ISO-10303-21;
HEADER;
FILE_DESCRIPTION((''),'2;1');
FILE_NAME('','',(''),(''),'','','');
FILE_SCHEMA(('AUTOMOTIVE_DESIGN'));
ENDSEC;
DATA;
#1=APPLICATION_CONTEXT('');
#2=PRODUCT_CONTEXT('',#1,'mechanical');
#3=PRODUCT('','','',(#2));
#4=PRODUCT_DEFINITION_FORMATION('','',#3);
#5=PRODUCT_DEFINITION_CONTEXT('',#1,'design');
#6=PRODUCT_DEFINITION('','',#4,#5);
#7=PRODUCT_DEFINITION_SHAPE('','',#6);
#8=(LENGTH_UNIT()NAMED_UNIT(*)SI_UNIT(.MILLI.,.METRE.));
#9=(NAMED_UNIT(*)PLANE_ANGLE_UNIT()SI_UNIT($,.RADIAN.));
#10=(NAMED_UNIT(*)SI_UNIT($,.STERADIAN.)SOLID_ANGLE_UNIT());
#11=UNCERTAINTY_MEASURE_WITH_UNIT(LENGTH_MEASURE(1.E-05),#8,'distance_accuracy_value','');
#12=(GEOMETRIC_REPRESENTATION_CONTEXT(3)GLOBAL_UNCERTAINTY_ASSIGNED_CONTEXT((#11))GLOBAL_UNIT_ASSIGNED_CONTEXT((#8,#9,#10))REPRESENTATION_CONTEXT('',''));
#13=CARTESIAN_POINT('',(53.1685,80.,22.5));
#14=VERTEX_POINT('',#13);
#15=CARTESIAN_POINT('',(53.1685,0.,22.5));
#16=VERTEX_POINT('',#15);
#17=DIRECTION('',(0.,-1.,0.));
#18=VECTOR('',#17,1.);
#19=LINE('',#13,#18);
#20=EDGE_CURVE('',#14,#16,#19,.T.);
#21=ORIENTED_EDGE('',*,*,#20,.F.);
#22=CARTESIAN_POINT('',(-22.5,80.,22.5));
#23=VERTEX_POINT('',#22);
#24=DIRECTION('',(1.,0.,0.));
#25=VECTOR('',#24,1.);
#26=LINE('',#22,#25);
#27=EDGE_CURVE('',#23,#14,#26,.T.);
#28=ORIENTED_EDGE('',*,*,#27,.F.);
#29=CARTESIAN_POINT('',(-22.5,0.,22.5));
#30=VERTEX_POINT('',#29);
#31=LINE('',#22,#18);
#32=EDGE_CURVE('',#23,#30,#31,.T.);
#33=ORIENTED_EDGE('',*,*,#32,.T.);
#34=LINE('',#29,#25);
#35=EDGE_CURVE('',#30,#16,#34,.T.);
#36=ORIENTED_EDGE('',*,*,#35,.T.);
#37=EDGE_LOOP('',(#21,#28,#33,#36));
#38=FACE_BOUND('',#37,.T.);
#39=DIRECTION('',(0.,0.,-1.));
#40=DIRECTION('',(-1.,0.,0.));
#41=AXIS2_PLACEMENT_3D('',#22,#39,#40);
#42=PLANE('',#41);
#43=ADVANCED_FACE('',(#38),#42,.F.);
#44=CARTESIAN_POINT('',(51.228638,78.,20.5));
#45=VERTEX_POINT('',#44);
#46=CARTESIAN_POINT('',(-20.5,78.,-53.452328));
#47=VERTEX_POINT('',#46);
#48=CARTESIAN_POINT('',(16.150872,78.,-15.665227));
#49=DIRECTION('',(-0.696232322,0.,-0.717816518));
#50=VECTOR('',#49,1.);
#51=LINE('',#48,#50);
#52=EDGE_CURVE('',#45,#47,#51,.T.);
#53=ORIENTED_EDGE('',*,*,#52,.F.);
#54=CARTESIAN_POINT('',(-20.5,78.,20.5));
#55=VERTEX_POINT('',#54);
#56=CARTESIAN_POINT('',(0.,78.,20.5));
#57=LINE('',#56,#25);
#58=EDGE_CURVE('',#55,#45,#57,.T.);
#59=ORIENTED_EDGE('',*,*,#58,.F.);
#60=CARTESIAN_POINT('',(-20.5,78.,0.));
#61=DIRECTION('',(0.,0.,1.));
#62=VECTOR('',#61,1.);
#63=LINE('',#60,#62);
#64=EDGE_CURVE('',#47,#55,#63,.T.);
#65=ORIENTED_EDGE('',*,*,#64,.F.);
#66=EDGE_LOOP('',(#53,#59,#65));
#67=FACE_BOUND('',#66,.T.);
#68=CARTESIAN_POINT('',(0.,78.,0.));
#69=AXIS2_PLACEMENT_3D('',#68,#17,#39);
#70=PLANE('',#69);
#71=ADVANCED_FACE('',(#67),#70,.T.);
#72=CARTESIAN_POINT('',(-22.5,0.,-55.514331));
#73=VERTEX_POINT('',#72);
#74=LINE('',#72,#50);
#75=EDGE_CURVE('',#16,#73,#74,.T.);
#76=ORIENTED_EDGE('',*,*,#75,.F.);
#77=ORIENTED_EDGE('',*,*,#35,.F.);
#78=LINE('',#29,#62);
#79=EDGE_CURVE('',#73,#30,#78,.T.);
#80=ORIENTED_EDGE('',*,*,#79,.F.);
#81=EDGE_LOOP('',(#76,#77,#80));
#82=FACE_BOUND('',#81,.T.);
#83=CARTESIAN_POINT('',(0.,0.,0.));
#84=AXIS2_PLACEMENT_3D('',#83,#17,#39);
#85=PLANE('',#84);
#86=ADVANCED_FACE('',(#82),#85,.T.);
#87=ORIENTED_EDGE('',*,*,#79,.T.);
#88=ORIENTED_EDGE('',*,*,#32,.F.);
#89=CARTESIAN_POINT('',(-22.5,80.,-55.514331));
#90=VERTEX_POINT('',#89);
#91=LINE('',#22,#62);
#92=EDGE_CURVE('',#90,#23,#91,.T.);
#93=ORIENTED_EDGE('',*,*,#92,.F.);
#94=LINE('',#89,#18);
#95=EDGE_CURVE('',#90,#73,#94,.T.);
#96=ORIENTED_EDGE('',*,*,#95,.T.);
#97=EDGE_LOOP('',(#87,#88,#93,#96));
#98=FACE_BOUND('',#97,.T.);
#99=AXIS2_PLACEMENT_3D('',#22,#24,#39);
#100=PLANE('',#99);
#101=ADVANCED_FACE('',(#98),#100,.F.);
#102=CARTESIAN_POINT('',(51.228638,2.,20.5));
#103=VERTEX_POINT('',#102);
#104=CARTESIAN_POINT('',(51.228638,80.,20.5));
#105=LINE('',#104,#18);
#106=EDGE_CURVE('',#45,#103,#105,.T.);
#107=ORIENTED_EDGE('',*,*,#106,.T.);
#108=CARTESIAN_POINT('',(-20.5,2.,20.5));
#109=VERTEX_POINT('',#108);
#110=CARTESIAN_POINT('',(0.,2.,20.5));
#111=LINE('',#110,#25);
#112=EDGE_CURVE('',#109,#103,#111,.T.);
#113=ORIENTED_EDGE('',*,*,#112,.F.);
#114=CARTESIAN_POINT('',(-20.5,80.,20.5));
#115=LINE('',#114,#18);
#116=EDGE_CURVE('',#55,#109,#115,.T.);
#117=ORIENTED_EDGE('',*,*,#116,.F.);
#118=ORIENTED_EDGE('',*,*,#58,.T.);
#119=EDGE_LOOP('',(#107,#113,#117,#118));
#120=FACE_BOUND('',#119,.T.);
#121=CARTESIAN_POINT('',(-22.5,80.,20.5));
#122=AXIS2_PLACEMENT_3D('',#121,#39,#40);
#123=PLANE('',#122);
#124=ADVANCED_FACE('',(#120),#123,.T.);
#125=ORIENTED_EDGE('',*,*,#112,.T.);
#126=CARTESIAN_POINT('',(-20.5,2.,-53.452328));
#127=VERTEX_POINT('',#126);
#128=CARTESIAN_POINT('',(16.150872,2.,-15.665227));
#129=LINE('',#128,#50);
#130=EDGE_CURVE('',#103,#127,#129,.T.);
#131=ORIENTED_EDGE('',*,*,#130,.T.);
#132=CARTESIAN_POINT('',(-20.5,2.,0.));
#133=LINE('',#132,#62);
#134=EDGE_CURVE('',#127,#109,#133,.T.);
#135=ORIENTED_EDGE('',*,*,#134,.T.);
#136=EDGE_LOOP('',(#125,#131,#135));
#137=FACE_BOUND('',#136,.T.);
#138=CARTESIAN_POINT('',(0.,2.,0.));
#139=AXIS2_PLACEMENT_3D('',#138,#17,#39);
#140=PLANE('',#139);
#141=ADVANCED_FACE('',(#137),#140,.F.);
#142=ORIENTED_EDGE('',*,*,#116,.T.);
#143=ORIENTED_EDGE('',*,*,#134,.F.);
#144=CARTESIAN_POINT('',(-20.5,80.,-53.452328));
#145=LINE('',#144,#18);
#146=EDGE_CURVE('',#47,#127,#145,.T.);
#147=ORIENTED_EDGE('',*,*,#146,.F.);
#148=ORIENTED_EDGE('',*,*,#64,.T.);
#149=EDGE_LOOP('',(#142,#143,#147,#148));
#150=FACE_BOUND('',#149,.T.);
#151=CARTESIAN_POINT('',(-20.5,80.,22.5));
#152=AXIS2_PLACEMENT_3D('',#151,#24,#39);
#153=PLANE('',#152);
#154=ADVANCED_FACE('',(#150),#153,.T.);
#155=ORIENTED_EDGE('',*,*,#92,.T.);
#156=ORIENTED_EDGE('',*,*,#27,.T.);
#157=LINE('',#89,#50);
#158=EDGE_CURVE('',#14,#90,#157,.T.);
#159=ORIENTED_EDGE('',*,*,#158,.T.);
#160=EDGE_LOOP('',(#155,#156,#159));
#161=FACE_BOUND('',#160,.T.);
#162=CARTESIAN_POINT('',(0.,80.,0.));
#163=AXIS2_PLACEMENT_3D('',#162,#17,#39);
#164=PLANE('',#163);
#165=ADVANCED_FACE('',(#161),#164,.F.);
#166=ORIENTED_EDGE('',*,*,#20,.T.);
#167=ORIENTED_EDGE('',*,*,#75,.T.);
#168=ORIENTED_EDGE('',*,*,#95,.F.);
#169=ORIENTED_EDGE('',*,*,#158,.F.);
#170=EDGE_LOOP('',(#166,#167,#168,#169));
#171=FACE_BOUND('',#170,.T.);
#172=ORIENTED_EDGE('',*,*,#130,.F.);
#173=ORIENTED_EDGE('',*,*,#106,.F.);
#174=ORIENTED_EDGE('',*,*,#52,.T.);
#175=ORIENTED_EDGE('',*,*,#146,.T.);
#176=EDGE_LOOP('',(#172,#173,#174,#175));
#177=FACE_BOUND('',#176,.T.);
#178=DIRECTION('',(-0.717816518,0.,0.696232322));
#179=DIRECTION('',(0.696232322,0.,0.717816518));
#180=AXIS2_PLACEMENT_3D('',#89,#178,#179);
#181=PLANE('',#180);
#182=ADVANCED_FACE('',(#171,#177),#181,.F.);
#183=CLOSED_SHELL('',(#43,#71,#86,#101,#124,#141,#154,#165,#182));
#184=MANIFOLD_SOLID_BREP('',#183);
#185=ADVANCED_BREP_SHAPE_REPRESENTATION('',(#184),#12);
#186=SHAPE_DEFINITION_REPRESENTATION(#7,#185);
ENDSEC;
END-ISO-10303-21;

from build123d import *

# Parameters (mm, degrees)
BOSS_EXTRUDE1_DEPTH = 80
SHELL2_T            = -2


with BuildPart() as part:
    # Sketch1 → Boss-Extrude1 (new body)
    with BuildSketch(Plane(origin=(0, 0, 0), x_dir=(1, 0, 0), z_dir=(0, 1, 0))):
        Polygon((-22.5, -22.5), (53.168499604, -22.5), (-22.5, 55.514331091), align=None)
    extrude(amount=BOSS_EXTRUDE1_DEPTH)

    # Shell2
    shell2_openings = [part.faces().sort_by_distance(p)[0] for p in [
        (15.334249802, 40, -16.507165546),
    ]]
    offset(amount=SHELL2_T, openings=shell2_openings, kind=Kind.INTERSECTION)


solid = part.part
